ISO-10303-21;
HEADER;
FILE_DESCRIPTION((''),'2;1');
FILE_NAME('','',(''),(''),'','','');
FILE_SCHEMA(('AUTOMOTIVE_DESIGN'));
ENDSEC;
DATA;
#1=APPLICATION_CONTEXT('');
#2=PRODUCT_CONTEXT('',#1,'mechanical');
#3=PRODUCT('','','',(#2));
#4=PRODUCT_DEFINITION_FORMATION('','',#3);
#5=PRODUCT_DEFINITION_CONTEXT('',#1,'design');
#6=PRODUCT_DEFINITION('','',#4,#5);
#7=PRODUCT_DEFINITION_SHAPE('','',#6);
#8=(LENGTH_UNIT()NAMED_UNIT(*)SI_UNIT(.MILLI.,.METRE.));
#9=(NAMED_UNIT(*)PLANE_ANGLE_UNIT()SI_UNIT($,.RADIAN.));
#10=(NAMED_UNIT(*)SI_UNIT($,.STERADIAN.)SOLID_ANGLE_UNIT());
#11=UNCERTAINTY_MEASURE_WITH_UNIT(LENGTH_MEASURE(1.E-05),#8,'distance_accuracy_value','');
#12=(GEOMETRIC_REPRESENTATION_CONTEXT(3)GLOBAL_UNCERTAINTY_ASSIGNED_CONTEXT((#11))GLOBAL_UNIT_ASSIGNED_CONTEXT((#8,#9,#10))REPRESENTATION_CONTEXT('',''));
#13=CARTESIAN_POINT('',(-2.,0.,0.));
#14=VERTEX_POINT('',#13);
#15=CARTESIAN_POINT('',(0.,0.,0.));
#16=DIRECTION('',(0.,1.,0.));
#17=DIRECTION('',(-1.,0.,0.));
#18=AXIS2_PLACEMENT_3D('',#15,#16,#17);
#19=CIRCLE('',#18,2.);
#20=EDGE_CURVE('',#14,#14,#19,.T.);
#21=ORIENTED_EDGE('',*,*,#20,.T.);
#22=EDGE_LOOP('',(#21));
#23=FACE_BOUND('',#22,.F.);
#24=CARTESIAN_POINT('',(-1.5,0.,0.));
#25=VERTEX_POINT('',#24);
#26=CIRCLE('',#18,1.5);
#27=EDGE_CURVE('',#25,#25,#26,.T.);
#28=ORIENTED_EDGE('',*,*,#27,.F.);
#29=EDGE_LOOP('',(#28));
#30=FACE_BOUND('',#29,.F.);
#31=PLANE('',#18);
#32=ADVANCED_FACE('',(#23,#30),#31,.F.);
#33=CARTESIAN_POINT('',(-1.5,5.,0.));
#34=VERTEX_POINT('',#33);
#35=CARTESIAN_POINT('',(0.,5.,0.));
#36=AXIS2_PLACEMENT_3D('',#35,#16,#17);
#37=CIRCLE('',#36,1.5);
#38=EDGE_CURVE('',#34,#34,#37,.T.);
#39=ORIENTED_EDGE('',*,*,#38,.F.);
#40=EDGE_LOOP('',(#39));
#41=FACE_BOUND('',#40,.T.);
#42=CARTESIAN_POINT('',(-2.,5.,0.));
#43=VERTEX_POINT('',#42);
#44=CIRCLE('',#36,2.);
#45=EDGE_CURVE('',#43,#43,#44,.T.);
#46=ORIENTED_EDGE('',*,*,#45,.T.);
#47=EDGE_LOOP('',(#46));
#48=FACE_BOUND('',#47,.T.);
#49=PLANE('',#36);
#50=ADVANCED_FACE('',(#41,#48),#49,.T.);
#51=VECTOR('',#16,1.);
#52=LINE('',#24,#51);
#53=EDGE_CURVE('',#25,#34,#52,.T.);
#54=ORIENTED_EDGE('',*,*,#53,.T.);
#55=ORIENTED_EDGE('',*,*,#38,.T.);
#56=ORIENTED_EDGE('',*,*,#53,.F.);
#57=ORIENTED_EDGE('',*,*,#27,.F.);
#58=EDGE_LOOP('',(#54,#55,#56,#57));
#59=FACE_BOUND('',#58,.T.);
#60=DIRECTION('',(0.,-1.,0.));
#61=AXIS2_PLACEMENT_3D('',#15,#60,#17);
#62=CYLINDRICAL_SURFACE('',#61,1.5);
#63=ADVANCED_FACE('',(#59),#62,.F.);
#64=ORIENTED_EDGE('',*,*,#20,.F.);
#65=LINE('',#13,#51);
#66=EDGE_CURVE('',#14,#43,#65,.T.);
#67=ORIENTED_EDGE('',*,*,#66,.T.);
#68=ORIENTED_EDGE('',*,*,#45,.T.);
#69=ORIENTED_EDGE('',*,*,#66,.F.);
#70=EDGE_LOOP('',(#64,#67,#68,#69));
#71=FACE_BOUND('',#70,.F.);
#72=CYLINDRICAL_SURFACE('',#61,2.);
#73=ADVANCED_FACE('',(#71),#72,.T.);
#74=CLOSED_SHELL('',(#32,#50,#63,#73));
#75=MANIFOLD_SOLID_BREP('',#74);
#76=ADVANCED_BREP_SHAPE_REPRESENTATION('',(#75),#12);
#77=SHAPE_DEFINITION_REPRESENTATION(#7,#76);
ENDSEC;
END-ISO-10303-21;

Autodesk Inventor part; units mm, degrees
ref_plane "YZ Plane" through (0, 0, 0) normal (1, 0, 0) x (0, 1, 0)
ref_plane "XZ Plane" through (0, 0, 0) normal (0, 1, 0) x (-1, 0, 0)
ref_plane "XY Plane" through (0, 0, 0) normal (0, 0, 1) x (1, 0, 0)
sketch "Sketch1" plane through (0, 0, 0) normal (0, 1, 0) x (-1, 0, 0)
  circle A0 centre (0, 0) radius 1.5
  circle A1 centre (0, 0) radius 2
  dimension "d0" = 3
  dimension "d1" = 4
extrude "Extrusion1" add sketch "Sketch1" along normal blind 5
properties part number "5mmSpacer"
